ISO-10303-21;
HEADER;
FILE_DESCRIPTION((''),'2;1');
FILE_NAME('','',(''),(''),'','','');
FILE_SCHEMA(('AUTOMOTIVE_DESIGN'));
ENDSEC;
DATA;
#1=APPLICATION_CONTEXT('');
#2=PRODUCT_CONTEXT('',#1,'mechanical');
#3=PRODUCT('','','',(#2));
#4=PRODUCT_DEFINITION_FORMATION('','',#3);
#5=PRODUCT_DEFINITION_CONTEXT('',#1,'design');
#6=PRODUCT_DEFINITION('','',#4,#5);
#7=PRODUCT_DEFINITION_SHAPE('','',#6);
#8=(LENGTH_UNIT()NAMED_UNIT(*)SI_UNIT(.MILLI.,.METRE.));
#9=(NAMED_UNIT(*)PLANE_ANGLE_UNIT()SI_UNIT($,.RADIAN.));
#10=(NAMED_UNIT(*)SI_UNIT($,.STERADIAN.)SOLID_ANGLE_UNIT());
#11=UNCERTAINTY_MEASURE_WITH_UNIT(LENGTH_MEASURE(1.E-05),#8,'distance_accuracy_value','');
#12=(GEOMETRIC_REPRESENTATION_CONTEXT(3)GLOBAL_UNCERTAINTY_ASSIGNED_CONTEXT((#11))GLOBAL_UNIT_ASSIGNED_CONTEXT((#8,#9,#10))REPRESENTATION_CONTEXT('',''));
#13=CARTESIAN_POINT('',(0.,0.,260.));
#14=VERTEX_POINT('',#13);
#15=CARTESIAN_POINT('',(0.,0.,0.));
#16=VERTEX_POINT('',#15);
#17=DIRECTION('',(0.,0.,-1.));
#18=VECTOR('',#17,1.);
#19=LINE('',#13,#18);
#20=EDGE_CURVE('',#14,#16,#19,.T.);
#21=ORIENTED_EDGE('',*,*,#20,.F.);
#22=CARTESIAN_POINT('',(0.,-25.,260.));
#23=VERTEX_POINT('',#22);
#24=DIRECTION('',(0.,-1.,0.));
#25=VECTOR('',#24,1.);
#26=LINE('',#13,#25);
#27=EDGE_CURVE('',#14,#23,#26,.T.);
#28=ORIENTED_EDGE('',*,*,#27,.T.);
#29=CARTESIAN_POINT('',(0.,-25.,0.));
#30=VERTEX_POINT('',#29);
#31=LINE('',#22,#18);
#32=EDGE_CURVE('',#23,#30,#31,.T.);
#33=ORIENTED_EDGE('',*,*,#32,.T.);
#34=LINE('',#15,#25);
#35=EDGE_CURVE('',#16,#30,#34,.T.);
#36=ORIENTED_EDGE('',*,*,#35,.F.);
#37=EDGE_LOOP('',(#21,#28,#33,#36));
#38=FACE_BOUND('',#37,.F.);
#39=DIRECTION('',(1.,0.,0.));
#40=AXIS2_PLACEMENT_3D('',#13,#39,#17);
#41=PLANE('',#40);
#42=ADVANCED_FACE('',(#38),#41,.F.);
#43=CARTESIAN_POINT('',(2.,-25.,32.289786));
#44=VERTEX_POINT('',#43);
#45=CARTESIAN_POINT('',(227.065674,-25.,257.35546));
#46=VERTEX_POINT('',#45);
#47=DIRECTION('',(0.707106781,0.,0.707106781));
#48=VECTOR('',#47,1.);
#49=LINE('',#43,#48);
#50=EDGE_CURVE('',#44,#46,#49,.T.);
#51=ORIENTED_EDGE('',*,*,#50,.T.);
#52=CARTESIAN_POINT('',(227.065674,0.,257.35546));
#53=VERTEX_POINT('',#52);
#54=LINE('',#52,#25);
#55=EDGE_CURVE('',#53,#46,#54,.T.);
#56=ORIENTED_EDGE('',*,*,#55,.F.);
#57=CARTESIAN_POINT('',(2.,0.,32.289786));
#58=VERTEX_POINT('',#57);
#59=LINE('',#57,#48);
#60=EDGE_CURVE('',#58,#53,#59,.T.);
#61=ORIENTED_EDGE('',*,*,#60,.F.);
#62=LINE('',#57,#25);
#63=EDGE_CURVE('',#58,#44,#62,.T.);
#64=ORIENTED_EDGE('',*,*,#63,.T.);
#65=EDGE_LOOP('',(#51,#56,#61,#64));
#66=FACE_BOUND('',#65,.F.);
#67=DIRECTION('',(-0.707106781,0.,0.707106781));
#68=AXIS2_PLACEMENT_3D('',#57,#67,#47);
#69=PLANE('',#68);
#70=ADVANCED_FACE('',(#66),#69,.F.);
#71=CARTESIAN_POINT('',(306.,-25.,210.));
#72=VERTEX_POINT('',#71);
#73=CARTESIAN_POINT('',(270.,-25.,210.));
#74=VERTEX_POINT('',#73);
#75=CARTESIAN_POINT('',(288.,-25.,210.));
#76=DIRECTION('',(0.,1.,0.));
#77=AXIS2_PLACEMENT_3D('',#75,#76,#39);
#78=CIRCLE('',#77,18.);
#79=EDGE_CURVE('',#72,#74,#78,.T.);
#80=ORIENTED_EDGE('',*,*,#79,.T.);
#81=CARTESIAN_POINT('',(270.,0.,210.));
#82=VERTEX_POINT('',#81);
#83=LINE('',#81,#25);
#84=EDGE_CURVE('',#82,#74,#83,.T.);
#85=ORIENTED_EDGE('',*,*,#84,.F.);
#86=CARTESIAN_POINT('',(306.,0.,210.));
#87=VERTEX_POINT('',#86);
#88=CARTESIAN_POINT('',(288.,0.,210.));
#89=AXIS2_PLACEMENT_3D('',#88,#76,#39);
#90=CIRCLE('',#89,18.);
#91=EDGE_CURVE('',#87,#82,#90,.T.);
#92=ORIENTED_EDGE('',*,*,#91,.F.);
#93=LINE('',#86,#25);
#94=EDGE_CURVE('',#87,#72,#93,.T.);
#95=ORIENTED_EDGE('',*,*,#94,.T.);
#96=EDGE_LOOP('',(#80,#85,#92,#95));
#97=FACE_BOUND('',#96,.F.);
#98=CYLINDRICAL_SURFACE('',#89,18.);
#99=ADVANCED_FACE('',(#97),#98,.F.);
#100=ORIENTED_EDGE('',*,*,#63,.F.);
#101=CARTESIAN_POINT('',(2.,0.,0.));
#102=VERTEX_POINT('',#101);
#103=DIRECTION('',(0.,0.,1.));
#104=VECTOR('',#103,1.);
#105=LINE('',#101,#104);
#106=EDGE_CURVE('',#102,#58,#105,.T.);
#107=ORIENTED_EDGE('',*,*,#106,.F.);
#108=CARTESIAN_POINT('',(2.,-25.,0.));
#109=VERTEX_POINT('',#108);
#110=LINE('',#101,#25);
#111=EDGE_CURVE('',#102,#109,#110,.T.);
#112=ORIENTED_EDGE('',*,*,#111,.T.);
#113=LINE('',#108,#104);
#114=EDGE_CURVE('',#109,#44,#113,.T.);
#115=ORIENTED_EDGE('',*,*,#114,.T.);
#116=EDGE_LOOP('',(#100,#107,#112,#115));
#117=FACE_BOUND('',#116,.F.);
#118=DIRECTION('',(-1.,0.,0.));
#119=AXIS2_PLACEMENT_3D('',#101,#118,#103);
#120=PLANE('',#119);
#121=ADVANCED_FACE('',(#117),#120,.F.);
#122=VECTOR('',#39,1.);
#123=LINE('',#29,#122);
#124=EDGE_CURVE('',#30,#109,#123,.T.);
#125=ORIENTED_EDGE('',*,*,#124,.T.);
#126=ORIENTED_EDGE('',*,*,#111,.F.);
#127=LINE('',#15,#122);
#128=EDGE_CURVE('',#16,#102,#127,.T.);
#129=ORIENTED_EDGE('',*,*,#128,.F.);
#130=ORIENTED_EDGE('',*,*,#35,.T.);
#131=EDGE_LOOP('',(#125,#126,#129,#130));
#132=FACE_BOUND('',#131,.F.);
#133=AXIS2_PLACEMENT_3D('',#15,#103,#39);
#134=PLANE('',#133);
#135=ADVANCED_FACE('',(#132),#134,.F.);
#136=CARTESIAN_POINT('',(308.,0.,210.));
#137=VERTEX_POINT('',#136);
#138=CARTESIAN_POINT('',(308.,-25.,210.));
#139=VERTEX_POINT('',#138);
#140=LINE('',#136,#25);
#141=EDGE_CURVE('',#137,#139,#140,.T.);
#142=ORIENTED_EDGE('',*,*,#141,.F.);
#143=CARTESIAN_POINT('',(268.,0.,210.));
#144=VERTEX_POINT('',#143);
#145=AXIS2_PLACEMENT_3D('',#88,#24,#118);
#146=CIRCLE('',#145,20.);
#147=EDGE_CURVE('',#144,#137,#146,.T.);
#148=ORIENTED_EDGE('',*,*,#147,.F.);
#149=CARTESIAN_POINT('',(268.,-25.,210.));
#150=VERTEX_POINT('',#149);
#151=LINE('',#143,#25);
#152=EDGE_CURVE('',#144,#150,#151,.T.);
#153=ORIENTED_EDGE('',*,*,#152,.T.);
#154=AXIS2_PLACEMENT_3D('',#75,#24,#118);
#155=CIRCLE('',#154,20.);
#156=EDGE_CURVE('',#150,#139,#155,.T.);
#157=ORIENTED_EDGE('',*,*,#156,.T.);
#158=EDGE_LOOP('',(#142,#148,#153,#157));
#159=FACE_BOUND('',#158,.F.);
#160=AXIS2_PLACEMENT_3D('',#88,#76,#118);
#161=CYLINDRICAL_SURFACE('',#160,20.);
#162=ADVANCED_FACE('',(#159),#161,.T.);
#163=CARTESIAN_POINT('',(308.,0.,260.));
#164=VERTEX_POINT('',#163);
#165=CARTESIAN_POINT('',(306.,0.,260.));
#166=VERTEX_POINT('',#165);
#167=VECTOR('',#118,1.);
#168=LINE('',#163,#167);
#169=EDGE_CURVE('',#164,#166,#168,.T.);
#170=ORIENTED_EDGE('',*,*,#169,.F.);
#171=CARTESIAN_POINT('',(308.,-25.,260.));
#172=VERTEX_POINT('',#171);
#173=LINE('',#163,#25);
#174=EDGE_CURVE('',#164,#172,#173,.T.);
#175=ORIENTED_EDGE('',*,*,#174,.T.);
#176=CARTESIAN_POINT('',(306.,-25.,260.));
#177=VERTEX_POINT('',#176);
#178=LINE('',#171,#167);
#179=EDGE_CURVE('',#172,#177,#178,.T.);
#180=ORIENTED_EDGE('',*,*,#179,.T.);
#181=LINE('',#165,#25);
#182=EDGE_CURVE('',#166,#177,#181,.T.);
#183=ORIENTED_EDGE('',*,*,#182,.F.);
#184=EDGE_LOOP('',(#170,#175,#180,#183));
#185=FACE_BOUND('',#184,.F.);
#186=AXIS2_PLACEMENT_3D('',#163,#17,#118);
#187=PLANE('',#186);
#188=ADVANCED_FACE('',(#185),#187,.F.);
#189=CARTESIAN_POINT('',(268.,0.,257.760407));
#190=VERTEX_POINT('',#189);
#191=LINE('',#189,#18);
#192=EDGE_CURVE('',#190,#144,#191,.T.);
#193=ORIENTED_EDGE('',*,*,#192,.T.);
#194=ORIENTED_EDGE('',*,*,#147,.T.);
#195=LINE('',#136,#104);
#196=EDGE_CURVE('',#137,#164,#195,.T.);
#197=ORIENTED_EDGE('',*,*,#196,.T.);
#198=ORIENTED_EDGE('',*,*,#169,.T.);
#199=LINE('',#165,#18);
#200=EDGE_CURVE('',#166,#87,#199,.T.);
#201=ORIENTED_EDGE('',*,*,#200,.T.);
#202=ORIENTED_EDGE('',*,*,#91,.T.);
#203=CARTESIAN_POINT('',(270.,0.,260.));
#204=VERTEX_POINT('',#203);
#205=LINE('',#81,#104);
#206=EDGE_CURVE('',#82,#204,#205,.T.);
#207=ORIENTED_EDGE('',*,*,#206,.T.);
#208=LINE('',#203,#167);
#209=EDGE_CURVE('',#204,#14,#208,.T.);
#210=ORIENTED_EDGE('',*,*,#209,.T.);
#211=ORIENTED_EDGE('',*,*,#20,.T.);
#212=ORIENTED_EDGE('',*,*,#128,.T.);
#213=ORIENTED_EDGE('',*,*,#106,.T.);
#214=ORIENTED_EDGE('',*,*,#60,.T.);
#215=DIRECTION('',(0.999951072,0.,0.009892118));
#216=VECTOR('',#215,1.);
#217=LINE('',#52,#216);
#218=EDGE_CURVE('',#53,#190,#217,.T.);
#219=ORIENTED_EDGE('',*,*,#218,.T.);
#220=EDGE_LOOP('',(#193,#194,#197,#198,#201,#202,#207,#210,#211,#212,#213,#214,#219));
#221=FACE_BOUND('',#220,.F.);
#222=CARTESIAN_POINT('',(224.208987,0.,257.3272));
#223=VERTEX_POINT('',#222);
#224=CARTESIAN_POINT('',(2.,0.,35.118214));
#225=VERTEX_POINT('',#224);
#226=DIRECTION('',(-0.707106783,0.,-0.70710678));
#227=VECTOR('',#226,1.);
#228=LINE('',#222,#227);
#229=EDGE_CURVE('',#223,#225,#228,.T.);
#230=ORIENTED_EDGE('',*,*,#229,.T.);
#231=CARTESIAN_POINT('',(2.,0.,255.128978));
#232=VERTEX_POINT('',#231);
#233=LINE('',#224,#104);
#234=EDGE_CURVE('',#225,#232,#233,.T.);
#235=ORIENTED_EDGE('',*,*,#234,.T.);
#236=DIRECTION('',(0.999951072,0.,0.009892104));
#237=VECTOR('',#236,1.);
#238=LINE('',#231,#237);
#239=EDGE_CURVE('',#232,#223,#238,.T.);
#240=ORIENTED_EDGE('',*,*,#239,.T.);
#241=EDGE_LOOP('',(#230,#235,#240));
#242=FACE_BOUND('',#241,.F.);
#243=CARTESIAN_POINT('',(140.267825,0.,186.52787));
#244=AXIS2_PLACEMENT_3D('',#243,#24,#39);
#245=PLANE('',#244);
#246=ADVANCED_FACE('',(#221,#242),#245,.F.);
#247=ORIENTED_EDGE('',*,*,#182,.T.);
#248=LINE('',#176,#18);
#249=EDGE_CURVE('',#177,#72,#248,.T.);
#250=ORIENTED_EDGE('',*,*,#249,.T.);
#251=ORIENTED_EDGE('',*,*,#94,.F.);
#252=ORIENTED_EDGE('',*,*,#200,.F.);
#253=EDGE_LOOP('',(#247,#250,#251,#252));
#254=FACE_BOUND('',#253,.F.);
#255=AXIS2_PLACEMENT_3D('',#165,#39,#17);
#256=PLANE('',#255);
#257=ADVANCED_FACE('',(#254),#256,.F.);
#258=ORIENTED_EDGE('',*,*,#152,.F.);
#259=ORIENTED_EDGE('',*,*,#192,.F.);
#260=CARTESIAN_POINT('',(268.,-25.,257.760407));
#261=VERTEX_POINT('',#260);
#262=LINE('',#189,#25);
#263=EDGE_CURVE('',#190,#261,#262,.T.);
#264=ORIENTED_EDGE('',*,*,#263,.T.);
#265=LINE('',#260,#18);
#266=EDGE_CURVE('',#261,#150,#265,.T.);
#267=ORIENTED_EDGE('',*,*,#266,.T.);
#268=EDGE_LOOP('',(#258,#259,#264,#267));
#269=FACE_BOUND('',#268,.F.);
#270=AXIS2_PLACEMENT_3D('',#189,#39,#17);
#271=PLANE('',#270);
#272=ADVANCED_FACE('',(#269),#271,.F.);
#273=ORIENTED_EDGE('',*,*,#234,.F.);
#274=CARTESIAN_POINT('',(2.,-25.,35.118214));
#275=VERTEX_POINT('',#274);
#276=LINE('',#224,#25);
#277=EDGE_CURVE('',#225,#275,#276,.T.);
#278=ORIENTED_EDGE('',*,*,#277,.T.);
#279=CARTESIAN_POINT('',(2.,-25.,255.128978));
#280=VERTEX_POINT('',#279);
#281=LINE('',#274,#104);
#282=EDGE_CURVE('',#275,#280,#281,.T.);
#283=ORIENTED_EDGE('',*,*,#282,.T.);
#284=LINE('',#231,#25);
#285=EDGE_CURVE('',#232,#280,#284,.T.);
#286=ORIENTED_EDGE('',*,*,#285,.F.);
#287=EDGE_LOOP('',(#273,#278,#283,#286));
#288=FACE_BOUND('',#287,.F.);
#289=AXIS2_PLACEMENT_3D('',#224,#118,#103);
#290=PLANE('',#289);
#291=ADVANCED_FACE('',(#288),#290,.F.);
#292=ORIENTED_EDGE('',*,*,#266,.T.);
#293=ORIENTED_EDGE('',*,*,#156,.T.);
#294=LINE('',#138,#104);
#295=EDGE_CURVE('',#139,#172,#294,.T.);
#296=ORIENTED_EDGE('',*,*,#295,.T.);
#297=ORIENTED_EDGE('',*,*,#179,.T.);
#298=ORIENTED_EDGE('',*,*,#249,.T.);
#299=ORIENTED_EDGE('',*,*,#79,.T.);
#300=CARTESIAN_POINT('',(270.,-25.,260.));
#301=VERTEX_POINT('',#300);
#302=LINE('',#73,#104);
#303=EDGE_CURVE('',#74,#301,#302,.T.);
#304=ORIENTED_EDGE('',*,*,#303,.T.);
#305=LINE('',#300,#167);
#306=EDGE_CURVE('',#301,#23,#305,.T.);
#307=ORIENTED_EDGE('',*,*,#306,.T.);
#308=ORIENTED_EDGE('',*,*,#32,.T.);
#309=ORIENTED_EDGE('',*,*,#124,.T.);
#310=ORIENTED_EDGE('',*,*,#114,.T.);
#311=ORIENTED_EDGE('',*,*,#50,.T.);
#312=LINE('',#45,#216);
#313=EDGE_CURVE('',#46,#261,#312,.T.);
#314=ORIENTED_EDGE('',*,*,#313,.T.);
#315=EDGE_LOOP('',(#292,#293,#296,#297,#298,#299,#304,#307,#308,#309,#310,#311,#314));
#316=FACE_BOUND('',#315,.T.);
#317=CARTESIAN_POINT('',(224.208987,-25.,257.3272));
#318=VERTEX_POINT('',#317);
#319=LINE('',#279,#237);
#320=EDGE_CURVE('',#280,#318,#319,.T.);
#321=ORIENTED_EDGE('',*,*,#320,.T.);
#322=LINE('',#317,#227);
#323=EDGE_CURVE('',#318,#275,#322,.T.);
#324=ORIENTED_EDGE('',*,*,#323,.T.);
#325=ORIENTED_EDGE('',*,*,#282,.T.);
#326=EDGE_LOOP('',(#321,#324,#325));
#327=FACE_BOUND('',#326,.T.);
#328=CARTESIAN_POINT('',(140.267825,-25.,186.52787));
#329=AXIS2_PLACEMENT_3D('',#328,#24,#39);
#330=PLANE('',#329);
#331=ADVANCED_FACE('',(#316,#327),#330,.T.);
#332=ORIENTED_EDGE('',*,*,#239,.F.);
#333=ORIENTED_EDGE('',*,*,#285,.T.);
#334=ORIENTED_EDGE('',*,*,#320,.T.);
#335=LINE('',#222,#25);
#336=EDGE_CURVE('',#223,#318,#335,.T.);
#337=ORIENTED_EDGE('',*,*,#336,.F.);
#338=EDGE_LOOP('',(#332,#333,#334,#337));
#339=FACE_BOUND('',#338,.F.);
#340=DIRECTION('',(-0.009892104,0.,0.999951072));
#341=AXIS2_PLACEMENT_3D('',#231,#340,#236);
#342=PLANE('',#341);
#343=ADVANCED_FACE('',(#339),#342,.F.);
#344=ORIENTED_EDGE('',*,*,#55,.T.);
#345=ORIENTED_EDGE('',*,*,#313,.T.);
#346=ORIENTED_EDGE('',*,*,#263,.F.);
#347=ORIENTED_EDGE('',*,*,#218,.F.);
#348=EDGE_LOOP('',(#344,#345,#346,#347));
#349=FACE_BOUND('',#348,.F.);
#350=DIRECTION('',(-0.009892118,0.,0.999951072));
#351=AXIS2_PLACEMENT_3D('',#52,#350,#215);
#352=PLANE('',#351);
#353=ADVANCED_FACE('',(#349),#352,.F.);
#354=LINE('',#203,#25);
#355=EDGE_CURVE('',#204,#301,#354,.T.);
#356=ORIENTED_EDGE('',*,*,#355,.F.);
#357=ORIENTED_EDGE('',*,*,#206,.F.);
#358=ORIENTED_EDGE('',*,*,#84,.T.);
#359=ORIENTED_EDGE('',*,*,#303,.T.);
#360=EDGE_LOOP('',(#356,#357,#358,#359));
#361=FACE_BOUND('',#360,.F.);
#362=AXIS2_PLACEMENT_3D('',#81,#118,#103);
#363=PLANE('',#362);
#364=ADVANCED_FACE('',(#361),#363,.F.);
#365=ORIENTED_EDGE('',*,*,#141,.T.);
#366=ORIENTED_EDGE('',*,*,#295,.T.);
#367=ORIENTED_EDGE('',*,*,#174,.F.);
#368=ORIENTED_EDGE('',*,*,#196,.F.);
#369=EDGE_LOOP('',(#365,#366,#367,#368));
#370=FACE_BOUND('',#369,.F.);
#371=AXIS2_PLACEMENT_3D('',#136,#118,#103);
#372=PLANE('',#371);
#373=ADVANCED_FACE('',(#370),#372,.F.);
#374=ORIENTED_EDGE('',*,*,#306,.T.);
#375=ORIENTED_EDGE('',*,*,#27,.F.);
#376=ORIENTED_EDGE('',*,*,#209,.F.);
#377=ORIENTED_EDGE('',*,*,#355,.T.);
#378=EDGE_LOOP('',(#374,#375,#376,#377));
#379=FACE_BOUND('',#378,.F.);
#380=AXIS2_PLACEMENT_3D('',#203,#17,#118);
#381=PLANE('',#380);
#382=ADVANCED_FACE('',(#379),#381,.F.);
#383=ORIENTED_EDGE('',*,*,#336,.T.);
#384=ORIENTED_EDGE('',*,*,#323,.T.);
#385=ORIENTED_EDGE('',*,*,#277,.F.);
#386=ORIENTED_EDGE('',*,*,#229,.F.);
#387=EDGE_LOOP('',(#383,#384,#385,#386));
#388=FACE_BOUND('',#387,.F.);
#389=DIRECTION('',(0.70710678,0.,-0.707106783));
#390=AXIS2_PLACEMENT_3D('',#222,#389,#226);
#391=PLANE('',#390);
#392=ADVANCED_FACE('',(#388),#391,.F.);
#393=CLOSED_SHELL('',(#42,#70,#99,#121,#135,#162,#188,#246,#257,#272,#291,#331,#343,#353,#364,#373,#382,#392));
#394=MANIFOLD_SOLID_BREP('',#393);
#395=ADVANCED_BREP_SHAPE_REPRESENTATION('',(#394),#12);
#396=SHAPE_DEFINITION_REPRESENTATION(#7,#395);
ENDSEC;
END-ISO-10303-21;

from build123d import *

# Parameters (mm, degrees)
F1_DEPTH = 25


with BuildPart() as f1:
    # F0 (on Front) → F1 (new body)
    with BuildSketch(Plane.XZ):
        with BuildLine():
            Line((0, 260), (0, 0))
            Line((0, 0), (2, 0))
            Line((2, 0), (2, 32.289786))
            Line((2, 32.289786), (227.065674, 257.35546))
            Line((227.065674, 257.35546), (268, 257.760407))
            Line((268, 257.760407), (268, 210))
            ThreePointArc((268, 210), (288, 190), (308, 210))
            Line((308, 210), (308, 260))
            Line((308, 260), (306, 260))
            Line((306, 260), (306, 210))
            ThreePointArc((306, 210), (288, 192), (270, 210))
            Line((270, 210), (270, 260))
            Line((270, 260), (0, 260))
        make_face()
        Polygon((2, 35.118214), (2, 255.128978), (224.208987, 257.3272), align=None, mode=Mode.SUBTRACT)
    extrude(amount=F1_DEPTH)


solid = f1.part
